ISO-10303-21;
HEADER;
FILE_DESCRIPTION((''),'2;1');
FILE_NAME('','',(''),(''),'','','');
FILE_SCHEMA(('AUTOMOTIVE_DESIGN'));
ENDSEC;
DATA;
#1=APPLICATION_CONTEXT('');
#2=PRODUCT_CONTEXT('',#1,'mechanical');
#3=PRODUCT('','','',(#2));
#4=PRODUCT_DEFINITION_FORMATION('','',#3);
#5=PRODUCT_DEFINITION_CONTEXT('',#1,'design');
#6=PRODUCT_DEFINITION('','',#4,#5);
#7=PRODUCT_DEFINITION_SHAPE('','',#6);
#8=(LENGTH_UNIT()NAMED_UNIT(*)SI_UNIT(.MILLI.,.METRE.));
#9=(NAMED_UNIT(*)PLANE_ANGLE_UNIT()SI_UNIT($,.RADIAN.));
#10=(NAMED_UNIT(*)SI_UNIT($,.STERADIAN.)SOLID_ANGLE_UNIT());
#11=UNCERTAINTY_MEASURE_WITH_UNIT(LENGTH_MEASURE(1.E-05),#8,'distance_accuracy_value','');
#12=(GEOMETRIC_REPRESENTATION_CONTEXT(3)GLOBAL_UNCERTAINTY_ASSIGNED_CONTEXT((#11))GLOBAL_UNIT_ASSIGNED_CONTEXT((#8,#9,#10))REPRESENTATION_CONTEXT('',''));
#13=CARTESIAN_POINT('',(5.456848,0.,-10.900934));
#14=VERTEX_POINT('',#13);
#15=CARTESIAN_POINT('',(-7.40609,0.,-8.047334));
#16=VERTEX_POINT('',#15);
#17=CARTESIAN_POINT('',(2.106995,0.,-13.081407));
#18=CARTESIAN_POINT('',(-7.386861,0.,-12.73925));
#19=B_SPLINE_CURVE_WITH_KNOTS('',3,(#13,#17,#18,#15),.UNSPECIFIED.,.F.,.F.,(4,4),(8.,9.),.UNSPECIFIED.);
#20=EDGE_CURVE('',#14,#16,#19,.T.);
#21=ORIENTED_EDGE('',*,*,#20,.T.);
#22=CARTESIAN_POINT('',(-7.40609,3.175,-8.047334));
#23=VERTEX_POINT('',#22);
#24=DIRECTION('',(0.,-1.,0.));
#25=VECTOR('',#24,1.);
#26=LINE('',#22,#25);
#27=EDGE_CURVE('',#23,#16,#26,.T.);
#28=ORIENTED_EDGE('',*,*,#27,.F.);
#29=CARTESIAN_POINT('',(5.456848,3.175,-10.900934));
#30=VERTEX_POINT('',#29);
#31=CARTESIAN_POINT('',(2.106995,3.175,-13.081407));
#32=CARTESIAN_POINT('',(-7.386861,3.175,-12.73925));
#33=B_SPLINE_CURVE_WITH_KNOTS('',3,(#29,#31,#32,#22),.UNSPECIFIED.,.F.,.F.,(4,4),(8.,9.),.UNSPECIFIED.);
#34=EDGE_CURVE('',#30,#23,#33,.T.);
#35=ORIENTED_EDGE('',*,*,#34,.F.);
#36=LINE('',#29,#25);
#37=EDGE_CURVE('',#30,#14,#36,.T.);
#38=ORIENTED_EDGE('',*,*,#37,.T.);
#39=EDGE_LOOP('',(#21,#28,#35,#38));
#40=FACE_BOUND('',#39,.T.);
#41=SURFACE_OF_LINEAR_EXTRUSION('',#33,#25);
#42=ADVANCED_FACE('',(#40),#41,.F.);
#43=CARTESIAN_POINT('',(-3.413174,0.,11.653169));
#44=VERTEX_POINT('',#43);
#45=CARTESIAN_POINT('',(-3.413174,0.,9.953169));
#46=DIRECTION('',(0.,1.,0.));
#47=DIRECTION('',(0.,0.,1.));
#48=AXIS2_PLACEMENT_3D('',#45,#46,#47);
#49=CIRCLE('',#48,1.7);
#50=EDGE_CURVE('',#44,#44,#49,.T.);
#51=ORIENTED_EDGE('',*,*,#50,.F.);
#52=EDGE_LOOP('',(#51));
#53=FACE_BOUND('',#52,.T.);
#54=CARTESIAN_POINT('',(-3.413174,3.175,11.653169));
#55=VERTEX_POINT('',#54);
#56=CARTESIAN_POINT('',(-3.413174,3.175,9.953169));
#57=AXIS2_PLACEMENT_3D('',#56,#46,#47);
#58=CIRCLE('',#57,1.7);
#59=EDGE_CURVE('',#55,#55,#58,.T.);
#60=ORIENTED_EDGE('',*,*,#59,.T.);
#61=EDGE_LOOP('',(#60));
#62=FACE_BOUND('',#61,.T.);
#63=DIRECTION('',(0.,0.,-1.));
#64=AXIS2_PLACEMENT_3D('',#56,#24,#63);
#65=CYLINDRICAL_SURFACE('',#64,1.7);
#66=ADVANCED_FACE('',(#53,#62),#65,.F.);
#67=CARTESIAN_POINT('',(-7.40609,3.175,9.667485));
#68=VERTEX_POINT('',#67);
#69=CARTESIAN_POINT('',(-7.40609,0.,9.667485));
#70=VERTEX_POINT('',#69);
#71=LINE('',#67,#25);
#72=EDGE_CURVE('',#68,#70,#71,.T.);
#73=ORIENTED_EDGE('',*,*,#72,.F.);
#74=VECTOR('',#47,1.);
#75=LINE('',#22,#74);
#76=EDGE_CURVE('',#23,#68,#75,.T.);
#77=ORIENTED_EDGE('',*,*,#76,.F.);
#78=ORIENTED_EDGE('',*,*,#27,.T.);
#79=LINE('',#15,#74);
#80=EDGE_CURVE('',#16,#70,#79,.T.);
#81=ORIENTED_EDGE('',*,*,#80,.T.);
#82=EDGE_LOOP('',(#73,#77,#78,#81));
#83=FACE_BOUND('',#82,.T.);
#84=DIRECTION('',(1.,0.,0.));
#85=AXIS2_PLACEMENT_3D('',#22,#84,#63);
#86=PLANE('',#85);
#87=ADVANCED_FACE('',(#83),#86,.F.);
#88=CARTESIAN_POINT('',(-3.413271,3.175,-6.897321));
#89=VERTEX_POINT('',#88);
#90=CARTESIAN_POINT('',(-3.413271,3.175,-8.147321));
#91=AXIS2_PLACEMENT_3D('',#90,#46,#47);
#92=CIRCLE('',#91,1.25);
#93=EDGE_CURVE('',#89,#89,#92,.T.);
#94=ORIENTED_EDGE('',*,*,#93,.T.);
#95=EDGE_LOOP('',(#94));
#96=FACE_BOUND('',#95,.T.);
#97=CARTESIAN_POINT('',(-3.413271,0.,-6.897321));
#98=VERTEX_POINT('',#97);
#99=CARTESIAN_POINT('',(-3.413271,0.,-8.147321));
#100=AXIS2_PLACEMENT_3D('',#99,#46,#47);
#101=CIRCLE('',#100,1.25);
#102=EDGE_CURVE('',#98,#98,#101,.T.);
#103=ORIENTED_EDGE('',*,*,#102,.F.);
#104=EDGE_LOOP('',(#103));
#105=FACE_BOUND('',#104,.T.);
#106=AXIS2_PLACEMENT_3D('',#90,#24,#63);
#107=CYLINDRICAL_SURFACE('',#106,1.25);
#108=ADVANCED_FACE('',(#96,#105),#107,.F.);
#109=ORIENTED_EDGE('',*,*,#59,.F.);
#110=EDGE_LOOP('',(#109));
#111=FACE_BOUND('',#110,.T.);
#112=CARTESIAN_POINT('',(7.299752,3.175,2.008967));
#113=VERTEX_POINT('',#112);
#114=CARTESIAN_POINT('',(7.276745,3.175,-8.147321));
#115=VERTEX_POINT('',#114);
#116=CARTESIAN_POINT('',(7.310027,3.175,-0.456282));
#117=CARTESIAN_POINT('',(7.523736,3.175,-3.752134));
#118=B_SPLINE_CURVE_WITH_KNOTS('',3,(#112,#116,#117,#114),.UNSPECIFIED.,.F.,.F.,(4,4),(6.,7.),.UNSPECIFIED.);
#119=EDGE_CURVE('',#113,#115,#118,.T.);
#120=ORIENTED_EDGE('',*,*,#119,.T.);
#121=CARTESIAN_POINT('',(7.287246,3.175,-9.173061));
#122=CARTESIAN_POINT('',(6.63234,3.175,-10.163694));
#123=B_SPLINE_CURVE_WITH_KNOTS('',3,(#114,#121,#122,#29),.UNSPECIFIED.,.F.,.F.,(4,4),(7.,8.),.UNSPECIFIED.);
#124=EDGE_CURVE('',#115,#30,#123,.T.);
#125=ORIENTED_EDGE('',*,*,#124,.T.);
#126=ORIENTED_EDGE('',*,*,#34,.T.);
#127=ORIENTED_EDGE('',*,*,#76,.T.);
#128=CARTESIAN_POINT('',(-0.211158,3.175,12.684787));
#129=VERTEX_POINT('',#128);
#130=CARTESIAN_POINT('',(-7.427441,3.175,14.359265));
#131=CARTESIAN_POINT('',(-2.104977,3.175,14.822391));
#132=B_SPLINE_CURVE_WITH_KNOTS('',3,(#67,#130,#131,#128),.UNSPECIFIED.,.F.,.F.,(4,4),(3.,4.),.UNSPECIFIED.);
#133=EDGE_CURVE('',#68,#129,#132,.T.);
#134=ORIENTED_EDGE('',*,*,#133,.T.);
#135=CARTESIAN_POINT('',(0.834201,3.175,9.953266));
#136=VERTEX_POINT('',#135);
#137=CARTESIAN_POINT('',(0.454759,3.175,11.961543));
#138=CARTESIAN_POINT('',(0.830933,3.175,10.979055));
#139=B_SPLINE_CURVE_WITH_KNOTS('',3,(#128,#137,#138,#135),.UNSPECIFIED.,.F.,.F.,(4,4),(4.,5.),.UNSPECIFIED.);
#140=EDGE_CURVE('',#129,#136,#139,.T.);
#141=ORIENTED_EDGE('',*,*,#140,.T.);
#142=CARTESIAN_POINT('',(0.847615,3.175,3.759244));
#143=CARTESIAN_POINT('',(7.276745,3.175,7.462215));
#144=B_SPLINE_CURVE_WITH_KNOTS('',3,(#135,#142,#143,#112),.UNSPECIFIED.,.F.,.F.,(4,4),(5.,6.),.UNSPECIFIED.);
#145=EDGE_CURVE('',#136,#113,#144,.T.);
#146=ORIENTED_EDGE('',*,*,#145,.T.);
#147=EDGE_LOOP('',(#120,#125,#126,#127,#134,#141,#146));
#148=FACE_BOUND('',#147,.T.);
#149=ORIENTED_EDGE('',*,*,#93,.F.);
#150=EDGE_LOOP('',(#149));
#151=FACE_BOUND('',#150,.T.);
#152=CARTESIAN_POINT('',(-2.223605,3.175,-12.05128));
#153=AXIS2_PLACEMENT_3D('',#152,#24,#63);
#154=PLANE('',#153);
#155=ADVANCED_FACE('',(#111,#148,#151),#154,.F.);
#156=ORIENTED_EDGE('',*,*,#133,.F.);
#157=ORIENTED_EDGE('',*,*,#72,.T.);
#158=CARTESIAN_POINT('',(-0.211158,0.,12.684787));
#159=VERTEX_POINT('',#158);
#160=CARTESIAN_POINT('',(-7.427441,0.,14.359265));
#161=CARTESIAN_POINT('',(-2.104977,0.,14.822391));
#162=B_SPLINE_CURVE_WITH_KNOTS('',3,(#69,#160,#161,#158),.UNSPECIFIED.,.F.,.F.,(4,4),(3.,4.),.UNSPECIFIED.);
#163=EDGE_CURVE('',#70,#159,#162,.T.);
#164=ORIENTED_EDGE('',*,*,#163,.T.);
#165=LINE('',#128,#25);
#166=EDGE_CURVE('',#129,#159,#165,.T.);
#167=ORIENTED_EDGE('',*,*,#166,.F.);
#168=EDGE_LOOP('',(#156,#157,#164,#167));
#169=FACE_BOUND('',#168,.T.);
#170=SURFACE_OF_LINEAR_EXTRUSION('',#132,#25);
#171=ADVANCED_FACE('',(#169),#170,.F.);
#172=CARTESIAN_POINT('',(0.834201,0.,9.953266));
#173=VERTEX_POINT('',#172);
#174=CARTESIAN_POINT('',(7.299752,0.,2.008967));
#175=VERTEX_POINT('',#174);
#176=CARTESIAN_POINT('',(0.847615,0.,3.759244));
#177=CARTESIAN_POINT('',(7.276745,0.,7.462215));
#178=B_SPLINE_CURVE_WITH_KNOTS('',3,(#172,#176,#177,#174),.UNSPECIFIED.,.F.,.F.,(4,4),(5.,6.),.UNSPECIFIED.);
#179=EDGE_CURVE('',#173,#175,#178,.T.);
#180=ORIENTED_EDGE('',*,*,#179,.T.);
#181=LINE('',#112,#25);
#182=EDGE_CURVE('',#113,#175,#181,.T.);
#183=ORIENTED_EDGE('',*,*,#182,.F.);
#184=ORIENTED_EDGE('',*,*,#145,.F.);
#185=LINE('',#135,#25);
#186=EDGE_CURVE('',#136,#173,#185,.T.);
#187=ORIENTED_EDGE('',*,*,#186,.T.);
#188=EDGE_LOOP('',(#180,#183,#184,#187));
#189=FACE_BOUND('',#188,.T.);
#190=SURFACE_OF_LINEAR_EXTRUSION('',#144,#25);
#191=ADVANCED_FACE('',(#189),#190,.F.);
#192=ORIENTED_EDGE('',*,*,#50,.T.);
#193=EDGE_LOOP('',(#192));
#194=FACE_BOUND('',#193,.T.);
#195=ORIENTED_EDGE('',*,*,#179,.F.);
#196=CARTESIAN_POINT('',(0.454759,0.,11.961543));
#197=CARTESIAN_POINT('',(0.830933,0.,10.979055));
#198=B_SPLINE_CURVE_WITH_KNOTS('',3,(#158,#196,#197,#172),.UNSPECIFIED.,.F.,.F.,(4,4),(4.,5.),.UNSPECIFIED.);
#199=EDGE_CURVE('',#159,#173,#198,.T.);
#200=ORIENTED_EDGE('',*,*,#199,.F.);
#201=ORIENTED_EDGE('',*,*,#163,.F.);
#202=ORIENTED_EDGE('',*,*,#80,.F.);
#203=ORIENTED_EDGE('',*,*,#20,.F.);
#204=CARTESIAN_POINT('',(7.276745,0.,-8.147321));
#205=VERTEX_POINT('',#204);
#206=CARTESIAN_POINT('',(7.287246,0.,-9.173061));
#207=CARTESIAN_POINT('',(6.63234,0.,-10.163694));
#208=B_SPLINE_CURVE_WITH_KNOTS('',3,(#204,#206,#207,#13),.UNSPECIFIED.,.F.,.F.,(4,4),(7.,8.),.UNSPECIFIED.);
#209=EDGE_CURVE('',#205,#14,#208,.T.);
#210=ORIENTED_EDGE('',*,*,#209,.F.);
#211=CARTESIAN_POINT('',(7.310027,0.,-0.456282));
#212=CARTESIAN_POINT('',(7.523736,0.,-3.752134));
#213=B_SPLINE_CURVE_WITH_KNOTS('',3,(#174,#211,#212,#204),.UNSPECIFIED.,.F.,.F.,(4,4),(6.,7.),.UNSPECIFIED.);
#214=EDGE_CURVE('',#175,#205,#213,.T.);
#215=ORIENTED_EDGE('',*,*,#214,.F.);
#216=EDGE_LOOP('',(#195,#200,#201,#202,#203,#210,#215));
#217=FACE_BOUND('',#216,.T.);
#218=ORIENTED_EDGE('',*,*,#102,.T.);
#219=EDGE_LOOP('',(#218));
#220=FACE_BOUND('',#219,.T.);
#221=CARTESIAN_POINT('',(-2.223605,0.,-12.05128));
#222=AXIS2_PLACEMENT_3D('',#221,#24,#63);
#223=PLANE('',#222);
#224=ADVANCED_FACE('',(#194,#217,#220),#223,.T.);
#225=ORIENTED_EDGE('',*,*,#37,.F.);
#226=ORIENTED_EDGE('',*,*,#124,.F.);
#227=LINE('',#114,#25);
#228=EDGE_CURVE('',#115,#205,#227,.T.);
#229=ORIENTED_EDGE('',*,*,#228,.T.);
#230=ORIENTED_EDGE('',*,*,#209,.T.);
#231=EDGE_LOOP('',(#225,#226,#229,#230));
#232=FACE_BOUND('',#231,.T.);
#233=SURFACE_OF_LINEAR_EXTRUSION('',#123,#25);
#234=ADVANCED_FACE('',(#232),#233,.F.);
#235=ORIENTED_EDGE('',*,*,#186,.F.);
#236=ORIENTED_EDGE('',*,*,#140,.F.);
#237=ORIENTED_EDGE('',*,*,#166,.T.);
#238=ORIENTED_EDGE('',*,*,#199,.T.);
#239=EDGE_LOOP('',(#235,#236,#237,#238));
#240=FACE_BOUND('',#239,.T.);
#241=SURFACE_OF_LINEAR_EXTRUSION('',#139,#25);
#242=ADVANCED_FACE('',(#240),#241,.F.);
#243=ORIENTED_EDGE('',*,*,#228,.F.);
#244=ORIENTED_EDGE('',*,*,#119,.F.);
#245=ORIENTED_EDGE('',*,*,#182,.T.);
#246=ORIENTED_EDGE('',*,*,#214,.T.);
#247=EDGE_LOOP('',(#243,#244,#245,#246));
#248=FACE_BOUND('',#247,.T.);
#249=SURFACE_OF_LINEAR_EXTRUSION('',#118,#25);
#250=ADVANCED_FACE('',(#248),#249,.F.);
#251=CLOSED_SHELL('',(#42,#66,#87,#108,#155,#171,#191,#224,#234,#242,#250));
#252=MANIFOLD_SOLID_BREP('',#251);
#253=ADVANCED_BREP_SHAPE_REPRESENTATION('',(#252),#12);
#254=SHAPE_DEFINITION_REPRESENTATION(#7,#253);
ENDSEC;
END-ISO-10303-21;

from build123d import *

# Parameters (mm, degrees)
SKETCH1_R           = 1.7
SKETCH1_R_2         = 1.25
BOSS_EXTRUDE1_DEPTH = 3.175


with BuildPart() as part:
    # Sketch1 → Boss-Extrude1 (new body)
    with BuildSketch(Plane(origin=(0, 0, 0), x_dir=(1, 0, 0), z_dir=(0, 1, 0))):
        with BuildLine():
            Line((-7.40608976, 8.047333881), (-7.40608976, -9.667484989))
            add(Edge.make_bspline(
                [(-7.40608976, -9.667484989), (-7.427440527, -14.359265116), (-2.104976514, -14.822390535), (-0.211157807, -12.684787438)],
                knots=[3, 3, 3, 3, 4, 4, 4, 4], degree=3))
            add(Edge.make_bspline(
                [(-0.211157807, -12.684787438), (0.454759152, -11.961542687), (0.830932646, -10.979054864), (0.834200784, -9.953266472)],
                knots=[4, 4, 4, 4, 5, 5, 5, 5], degree=3))
            add(Edge.make_bspline(
                [(0.834200784, -9.953266472), (0.847614911, -3.759244356), (7.276744818, -7.46221529), (7.299751606, -2.008967061)],
                knots=[5, 5, 5, 5, 6, 6, 6, 6], degree=3))
            add(Edge.make_bspline(
                [(7.299751606, -2.008967061), (7.310026672, 0.456281555), (7.523736335, 3.752134489), (7.276744819, 8.147321264)],
                knots=[6, 6, 6, 6, 7, 7, 7, 7], degree=3))
            add(Edge.make_bspline(
                [(7.276744819, 8.147321264), (7.287246129, 9.173061108), (6.632340018, 10.163694097), (5.456847891, 10.900933881)],
                knots=[7, 7, 7, 7, 8, 8, 8, 8], degree=3))
            add(Edge.make_bspline(
                [(5.456847891, 10.900933881), (2.10699507, 13.081407092), (-7.386860521, 12.739250307), (-7.40608976, 8.047333881)],
                knots=[8, 8, 8, 8, 9, 9, 9, 9], degree=3))
        make_face()
        with Locations(Location((-3.413173976, -9.953168809, 0), (0, 0, 270))):
            Circle(SKETCH1_R, mode=Mode.SUBTRACT)
        with Locations(Location((-3.413271461, 8.147321264, 0), (0, 0, 270))):
            Circle(SKETCH1_R_2, mode=Mode.SUBTRACT)
    extrude(amount=BOSS_EXTRUDE1_DEPTH)


solid = part.part
